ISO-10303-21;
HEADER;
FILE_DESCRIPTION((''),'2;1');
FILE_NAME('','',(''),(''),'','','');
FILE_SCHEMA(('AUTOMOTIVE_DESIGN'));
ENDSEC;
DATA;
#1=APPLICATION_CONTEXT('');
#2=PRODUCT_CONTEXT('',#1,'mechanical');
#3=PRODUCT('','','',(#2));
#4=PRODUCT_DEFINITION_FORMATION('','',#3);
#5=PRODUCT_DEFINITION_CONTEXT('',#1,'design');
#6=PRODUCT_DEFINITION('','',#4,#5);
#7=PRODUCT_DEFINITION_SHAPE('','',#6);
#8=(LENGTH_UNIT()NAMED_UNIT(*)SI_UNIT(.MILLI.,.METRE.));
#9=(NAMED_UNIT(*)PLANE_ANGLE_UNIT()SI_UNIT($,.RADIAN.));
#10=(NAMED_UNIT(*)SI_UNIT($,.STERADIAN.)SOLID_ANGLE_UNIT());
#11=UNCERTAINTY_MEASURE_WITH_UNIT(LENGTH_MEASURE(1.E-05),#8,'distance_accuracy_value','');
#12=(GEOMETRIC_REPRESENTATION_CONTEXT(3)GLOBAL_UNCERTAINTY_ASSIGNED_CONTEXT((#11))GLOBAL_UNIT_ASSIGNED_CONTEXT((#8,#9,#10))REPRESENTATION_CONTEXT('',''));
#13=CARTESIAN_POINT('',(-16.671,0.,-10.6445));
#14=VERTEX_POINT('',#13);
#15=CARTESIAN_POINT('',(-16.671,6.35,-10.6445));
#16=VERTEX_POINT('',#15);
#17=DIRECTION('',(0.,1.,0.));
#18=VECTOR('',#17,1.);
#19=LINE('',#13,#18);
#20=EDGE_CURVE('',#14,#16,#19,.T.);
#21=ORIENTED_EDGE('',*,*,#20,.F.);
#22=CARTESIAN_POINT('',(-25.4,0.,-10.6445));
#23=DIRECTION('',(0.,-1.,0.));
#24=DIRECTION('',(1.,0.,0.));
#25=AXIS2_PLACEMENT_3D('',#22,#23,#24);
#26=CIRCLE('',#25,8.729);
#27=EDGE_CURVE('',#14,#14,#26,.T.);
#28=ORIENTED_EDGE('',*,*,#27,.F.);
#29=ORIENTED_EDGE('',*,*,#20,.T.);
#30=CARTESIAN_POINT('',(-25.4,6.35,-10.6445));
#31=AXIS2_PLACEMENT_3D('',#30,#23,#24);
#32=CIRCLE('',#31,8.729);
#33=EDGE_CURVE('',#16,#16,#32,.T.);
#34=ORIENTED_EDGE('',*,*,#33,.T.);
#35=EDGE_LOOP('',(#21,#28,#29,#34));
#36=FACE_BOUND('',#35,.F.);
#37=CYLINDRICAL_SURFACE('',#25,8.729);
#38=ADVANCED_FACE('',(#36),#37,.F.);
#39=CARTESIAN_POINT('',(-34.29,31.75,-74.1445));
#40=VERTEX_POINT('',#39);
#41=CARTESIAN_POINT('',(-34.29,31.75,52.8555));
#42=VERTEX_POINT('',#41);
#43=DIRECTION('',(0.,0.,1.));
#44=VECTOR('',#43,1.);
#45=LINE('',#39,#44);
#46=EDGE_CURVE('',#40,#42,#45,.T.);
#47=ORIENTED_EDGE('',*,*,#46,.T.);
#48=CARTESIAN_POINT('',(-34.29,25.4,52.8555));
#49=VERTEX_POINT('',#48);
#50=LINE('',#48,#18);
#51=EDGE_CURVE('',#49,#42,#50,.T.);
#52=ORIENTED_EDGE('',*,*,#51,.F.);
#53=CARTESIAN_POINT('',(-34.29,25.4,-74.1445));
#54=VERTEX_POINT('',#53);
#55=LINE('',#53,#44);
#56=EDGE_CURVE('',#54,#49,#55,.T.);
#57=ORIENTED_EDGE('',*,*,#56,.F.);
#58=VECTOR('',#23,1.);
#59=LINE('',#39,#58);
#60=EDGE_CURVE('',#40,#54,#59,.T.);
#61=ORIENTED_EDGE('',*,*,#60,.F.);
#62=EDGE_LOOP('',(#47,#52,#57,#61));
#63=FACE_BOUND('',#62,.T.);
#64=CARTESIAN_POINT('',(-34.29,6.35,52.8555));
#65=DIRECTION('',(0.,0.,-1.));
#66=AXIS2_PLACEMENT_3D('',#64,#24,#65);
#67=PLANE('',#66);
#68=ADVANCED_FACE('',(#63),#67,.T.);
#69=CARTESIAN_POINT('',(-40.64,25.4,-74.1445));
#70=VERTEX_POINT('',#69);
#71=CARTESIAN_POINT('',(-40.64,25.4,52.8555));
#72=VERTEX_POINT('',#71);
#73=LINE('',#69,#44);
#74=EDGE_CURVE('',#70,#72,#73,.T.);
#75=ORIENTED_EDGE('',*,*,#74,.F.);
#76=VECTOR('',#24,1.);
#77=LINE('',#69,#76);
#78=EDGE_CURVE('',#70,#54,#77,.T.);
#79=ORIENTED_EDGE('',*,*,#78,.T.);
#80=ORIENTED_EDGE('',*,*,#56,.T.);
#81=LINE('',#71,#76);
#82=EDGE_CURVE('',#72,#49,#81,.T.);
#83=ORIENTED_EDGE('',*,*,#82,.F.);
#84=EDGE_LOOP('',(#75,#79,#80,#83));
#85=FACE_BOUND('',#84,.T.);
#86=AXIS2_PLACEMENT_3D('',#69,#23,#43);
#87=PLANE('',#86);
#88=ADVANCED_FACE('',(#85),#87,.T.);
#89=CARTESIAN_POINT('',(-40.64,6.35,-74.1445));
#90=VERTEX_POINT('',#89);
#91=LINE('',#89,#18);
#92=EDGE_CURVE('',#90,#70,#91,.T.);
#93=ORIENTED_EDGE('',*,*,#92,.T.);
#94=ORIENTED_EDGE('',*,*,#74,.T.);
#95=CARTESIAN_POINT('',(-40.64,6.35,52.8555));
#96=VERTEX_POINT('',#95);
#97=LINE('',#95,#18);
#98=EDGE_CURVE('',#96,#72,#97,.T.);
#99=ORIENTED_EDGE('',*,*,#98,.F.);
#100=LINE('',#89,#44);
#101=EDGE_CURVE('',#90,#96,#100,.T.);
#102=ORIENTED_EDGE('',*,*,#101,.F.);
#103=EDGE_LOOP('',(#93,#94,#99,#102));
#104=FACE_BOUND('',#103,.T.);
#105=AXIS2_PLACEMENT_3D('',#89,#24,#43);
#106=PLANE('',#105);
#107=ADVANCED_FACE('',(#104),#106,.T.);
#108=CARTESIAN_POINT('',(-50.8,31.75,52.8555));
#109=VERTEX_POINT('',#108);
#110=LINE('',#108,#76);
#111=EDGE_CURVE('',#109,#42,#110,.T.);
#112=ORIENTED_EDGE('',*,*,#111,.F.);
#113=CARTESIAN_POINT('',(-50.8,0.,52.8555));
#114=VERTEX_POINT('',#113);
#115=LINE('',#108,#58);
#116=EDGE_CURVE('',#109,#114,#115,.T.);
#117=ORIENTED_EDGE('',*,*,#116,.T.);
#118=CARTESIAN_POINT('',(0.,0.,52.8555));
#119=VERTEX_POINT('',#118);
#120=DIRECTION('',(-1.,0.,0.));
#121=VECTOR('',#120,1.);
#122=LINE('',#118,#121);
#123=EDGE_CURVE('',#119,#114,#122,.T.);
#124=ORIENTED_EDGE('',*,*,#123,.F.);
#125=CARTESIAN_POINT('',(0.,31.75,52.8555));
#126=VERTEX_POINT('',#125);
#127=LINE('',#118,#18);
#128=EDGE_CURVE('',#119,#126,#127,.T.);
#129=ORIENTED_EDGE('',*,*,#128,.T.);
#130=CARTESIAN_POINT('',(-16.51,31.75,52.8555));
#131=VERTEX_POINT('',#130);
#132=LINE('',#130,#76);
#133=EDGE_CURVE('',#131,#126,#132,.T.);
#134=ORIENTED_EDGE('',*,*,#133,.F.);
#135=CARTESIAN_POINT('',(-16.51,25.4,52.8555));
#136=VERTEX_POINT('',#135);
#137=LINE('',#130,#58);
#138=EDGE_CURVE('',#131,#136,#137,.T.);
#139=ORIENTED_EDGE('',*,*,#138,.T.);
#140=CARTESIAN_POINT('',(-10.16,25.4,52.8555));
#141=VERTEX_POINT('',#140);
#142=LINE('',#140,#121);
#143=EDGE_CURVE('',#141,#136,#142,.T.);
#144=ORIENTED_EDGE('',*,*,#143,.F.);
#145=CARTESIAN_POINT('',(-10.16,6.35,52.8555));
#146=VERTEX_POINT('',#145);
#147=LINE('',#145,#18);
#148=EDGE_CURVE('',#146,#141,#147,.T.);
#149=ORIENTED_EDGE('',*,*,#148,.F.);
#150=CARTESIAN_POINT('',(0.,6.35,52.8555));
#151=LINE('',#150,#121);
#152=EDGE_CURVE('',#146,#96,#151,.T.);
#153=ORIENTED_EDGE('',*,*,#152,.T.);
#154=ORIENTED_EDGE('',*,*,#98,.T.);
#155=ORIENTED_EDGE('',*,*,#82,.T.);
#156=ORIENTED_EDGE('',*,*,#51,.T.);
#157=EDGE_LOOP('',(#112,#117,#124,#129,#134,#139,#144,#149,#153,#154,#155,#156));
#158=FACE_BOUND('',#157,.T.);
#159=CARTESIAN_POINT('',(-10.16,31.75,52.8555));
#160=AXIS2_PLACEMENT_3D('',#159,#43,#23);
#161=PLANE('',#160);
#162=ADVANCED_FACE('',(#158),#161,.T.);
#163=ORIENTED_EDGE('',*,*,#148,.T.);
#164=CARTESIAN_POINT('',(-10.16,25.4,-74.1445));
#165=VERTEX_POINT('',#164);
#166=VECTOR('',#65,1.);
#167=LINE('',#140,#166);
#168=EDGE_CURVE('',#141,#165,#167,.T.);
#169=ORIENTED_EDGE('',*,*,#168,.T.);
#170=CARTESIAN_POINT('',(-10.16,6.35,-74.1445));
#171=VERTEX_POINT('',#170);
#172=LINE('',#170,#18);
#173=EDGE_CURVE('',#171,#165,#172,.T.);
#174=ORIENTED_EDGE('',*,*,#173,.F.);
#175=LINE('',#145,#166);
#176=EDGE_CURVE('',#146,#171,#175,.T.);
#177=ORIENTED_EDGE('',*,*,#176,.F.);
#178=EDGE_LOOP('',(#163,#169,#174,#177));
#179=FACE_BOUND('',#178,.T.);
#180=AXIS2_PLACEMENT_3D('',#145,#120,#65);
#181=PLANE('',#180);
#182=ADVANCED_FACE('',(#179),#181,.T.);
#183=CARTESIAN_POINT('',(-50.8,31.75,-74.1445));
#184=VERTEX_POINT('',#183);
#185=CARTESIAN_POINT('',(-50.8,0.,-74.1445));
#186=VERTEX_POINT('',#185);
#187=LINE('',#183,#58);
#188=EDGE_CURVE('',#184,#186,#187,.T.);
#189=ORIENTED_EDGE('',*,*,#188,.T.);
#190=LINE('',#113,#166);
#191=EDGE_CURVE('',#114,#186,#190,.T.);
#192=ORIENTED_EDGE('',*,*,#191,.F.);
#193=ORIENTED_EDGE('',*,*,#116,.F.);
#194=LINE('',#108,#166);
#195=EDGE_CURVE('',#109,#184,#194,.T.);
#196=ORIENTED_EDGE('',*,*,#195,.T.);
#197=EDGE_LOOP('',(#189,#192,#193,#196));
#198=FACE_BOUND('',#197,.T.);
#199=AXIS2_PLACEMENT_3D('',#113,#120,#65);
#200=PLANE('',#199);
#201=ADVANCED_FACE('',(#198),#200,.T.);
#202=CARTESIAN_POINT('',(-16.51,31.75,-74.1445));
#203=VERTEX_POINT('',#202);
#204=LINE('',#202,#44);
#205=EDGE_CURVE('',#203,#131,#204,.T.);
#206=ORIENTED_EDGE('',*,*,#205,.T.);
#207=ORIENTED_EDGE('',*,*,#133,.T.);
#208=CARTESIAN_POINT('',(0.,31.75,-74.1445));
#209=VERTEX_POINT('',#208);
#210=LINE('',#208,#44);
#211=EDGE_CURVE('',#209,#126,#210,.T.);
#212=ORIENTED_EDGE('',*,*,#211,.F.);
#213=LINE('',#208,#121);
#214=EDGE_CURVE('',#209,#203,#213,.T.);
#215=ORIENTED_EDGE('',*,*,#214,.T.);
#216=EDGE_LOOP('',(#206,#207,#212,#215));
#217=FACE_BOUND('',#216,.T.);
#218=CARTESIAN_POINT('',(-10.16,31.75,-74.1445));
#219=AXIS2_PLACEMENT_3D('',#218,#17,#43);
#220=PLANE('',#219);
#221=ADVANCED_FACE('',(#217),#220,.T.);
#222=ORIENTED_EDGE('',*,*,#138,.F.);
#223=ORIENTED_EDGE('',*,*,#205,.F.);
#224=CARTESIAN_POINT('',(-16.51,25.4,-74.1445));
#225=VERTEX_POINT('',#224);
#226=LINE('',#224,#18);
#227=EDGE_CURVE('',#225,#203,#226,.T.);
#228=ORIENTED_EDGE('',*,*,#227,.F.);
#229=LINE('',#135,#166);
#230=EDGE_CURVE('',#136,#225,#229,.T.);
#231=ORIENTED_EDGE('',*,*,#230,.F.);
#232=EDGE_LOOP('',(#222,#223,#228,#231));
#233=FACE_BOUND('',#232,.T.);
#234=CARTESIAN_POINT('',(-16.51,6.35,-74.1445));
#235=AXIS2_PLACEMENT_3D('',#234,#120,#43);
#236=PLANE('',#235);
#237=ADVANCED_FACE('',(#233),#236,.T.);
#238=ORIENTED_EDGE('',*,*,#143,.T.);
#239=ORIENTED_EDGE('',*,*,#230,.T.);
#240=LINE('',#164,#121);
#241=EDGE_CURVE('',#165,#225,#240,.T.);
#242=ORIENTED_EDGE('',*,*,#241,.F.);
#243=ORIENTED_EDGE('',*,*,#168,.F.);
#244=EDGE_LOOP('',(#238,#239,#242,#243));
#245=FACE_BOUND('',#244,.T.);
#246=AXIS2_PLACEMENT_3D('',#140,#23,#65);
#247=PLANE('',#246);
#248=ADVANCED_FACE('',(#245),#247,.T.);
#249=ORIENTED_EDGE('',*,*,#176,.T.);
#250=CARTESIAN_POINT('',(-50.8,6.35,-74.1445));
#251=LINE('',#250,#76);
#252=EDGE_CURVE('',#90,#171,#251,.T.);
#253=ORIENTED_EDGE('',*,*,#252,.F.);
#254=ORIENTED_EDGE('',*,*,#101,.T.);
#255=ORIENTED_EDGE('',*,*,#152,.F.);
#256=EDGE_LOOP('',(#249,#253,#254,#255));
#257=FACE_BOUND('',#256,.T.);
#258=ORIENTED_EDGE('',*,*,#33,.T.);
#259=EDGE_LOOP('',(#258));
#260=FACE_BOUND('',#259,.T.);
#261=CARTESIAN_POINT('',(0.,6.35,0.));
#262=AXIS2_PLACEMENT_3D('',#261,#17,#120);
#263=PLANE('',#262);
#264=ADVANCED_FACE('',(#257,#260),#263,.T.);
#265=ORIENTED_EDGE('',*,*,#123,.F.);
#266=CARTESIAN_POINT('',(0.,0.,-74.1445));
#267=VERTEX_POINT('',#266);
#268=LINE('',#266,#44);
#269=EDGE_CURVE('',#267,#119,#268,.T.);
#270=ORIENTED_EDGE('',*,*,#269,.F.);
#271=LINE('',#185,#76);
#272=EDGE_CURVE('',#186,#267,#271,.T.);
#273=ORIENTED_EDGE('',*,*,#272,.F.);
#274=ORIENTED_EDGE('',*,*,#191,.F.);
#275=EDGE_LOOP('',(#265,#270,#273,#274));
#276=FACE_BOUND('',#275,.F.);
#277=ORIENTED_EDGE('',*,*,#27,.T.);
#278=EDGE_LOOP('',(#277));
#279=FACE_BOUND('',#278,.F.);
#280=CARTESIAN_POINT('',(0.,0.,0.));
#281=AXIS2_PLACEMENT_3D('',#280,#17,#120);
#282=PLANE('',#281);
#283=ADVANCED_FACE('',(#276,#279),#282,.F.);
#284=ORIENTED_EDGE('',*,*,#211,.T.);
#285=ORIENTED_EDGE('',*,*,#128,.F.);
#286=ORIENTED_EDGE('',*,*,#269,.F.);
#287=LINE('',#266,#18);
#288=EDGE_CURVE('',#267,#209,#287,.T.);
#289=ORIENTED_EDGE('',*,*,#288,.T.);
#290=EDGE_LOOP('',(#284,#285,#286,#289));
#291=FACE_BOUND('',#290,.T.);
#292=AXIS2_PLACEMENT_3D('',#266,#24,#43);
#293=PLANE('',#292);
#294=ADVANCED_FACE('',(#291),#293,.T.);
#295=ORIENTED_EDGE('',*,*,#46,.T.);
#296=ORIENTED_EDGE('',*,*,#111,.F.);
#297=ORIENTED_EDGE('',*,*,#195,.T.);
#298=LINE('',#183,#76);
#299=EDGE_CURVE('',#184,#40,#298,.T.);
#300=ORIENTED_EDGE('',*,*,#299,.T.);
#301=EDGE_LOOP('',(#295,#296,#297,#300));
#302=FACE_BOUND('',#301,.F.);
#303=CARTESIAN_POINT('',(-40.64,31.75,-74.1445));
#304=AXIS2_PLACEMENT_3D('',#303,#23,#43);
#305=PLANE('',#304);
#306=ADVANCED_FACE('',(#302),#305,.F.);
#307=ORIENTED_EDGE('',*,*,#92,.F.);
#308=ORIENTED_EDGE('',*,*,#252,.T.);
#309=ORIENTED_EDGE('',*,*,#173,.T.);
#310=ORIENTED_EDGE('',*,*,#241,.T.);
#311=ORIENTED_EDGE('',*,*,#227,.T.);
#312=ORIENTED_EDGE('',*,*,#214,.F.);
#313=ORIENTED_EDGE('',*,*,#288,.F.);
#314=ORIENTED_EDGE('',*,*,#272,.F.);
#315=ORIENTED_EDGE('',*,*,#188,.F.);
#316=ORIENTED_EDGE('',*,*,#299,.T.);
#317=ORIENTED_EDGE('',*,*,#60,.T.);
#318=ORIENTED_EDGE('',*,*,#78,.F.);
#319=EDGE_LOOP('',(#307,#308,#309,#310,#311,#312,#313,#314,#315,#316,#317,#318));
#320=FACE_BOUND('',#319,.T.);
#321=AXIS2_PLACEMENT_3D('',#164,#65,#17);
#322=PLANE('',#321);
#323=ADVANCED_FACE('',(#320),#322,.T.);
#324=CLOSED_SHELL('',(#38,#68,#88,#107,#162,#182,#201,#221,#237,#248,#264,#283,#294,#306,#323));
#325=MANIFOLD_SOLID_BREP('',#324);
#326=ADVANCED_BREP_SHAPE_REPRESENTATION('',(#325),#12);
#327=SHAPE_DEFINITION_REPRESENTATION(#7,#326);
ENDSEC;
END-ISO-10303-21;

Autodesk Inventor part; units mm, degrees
ref_plane "YZ Plane" through (0, 0, 0) normal (1, 0, 0) x (0, 1, 0)
ref_plane "XZ Plane" through (0, 0, 0) normal (0, 1, 0) x (-1, 0, 0)
ref_plane "XY Plane" through (0, 0, 0) normal (0, 0, 1) x (1, 0, 0)
sketch "Sketch1" plane through (0, 0, 0) normal (0, 1, 0) x (-1, 0, 0)
  line L0 (0, 52.8555) -> (50.8, 52.8555)
  line L1 (50.8, 52.8555) -> (50.8, -74.1445)
  line L2 (50.8, -74.1445) -> (0, -74.1445)
  line L3 (0, -74.1445) -> (0, 52.8555)
  point P0 (0, 0)
  dimension "d0" = 50.8
  dimension "d1" = 127
extrude "Extrusion1" add sketch "Sketch1" along normal blind 6.35
sketch "Sketch2" plane through (0, 6.35, 0) normal (0, 1, 0) x (1, 0, 0)
  line L0 (-50.8, -52.8555) -> (0, -52.8555) projected
  line L1 (0, 74.1445) -> (-50.8, 74.1445) projected
  line L2 (0, -52.8555) -> (-10.16, -52.8555)
  line L3 (-10.16, -52.8555) -> (-10.16, 74.1445)
  line L4 (-10.16, 74.1445) -> (0, 74.1445)
  line L5 (0, 74.1445) -> (0, -52.8555)
  line L6 (-50.8, 74.1445) -> (-40.64, 74.1445)
  line L7 (-40.64, 74.1445) -> (-40.64, -52.8555)
  line L8 (-40.64, -52.8555) -> (-50.8, -52.8555)
  line L9 (-50.8, -52.8555) -> (-50.8, 74.1445)
  point P0 (0, 0)
  point P1 (-40.64, -52.8555)
  dimension "d4" = 10.16
  dimension "d5" = 10.16
extrude "Extrusion2" add sketch "Sketch2" along normal blind 25.4 contours L9 L1 L7 L0 | L3 L1 L5 L0
sketch "Sketch3" plane through (-40.64, 6.35, 52.8555) normal (1, 0, 0) x (0, 0, -1)
  line L0 (127, 25.4) -> (0, 25.4) projected
  line L1 (0, 25.4) -> (127, 25.4)
  line L2 (127, 25.4) -> (127, 19.05)
  line L3 (127, 19.05) -> (0, 19.05)
  line L4 (0, 19.05) -> (0, 25.4)
  point P0 (52.8555, -6.35)
  dimension "d8" = 6.35
extrude "Extrusion3" add sketch "Sketch3" along normal blind 6.35
sketch "Sketch4" plane through (-10.16, 6.35, -74.1445) normal (-1, 0, 0) x (0, 0, 1)
  line L0 (0, 25.4) -> (127, 25.4) projected
  line L1 (127, 25.4) -> (127, 19.05) projected
  line L2 (0, 25.4) -> (127, 25.4)
  line L3 (127, 25.4) -> (127, 19.05)
  line L4 (127, 19.05) -> (0, 19.05)
  line L5 (0, 19.05) -> (0, 25.4)
  point P0 (74.1445, -6.35)
extrude "Extrusion4" add sketch "Sketch4" along normal blind 6.35
sketch "Sketch5" plane through (0, 0, 0) normal (0, -1, 0) x (1, 0, 0)
  circle A0 centre (-25.4, -10.6445) radius 8.729
  line L0 (0, 52.8555) -> (0, -74.1445) projected
  line L1 (0, -74.1445) -> (-50.8, -74.1445) projected
  point P0 (0, 0)
  dimension "d13" = 25.4
  dimension "d14" = 63.5
extrude "Extrusion5" cut sketch "Sketch5" against normal up to surface (6.35 mm away)
properties part number "jeep pvc connector"
